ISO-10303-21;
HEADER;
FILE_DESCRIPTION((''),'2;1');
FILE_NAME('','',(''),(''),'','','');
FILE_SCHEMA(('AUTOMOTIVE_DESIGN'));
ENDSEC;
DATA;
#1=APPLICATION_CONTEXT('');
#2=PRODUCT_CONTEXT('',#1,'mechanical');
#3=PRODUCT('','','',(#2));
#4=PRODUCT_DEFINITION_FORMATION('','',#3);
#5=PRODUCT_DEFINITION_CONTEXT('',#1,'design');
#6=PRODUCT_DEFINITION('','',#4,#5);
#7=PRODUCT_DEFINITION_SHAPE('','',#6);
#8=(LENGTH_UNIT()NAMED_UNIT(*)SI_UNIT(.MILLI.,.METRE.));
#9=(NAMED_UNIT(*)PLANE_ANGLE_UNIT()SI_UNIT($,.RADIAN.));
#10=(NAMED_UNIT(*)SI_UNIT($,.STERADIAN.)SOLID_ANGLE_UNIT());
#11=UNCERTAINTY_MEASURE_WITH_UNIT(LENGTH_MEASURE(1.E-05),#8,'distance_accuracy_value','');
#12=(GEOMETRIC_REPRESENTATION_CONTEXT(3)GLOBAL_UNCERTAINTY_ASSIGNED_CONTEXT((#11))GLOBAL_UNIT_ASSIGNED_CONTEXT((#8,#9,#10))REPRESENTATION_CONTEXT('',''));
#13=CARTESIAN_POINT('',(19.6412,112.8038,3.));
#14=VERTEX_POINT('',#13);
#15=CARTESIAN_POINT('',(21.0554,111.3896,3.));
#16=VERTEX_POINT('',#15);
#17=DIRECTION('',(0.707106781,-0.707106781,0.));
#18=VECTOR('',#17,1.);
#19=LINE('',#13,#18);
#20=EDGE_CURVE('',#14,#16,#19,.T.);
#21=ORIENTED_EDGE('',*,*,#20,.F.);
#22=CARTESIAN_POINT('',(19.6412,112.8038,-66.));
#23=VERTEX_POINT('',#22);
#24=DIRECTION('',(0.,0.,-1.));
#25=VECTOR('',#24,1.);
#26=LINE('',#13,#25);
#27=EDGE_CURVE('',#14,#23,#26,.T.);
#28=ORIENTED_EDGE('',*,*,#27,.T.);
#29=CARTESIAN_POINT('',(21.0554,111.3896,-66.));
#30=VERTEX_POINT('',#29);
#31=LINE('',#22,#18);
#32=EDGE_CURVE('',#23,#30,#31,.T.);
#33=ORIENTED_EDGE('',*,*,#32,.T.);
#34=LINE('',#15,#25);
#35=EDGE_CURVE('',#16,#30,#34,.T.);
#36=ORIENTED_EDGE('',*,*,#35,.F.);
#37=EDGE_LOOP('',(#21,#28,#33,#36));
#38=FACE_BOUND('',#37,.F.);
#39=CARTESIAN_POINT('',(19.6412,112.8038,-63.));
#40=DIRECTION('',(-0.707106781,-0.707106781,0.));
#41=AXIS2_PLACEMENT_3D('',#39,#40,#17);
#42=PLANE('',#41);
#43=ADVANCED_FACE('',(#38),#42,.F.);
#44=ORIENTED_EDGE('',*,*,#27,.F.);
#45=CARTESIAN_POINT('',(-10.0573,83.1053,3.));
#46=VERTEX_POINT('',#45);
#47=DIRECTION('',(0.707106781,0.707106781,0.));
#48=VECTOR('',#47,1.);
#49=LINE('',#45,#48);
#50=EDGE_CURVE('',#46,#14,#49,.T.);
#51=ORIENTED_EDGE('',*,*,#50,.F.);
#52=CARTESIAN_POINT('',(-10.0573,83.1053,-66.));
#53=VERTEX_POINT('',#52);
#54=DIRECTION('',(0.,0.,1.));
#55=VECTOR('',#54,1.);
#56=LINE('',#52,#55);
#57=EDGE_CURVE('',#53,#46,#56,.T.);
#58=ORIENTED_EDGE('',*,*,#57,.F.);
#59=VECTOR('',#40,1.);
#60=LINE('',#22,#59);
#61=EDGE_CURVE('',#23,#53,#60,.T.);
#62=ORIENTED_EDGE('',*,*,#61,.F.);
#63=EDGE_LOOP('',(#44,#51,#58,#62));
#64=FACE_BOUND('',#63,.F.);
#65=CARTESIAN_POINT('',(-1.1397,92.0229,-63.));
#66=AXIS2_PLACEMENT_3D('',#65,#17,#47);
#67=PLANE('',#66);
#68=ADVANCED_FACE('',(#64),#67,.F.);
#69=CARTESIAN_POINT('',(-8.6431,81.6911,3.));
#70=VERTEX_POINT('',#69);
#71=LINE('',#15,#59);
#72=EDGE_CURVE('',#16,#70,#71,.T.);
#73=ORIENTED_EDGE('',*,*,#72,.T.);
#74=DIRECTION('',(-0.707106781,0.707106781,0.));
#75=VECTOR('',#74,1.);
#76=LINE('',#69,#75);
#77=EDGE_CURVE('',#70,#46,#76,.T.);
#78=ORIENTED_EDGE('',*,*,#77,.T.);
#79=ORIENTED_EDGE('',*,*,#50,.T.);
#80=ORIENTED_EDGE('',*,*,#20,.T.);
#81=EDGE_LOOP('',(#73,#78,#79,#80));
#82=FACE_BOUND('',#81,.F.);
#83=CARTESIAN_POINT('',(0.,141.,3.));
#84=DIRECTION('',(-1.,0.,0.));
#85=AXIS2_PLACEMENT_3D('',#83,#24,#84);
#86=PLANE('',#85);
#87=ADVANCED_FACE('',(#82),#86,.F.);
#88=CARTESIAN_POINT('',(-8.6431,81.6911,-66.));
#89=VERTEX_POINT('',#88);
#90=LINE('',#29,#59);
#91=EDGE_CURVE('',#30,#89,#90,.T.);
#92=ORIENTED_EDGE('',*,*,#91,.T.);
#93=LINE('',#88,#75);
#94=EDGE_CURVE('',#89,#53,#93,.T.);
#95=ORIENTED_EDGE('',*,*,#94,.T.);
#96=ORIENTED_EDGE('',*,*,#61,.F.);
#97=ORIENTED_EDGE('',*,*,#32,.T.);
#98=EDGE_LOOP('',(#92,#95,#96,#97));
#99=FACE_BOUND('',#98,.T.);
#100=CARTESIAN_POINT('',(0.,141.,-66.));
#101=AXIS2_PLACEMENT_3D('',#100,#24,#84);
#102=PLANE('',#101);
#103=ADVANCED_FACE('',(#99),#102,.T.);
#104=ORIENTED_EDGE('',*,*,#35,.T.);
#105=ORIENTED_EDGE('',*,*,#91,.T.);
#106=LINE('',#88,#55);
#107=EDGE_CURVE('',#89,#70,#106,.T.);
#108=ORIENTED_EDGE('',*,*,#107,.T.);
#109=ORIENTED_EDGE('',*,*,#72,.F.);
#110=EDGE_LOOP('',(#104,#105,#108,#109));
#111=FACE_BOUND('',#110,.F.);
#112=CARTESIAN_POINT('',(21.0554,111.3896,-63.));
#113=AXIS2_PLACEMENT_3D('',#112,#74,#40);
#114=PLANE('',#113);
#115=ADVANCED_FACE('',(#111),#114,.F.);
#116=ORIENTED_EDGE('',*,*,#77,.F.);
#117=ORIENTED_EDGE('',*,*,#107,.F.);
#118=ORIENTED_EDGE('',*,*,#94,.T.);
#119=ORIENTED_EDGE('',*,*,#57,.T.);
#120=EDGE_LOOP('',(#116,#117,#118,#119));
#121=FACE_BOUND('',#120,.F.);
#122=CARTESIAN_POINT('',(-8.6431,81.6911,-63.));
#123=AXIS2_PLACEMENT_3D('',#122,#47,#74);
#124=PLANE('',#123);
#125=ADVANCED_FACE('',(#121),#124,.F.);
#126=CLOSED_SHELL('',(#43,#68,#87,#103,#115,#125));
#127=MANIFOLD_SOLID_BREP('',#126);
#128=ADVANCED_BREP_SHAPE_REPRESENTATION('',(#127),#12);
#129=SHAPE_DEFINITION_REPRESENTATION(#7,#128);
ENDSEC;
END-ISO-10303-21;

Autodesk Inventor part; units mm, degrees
ref_plane "YZ Plane" through (0, 0, 0) normal (1, 0, 0) x (0, 1, 0)
ref_plane "XZ Plane" through (0, 0, 0) normal (0, 1, 0) x (-1, 0, 0)
ref_plane "XY Plane" through (0, 0, 0) normal (0, 0, 1) x (1, 0, 0)
ref_plane "Arbeitsebene1" through (0, 141, -63) normal (0, 0, -1) x (-1, 0, 0)
sketch "Skizze1" plane through (0, 141, -63) normal (0, 0, -1) x (-1, 0, 0)
  line L0 (-19.6412, -28.1962) -> (-21.0554, -29.6104)
  line L1 (-21.0554, -29.6104) -> (8.6431, -59.3089)
  line L2 (8.6431, -59.3089) -> (10.0573, -57.8947)
  line L3 (10.0573, -57.8947) -> (-19.6412, -28.1962)
  line L4 (-19.6412, -28.1962) -> (-17.6412, -28.1962) construction
  line L5 (1.1397, -48.9771) -> (46.1397, -48.9771) projected
  line L6 (1.1397, -18.9771) -> (1.1397, -48.9771) projected
  point P0 (0, -141)
  dimension "d0" = 2
  dimension "d1" = 135
  dimension "d2" = 42
extrude "Extrusion1" add sketch "Skizze1" along normal blind 3 and the other way blind 66
properties part number "04_Mirror"
